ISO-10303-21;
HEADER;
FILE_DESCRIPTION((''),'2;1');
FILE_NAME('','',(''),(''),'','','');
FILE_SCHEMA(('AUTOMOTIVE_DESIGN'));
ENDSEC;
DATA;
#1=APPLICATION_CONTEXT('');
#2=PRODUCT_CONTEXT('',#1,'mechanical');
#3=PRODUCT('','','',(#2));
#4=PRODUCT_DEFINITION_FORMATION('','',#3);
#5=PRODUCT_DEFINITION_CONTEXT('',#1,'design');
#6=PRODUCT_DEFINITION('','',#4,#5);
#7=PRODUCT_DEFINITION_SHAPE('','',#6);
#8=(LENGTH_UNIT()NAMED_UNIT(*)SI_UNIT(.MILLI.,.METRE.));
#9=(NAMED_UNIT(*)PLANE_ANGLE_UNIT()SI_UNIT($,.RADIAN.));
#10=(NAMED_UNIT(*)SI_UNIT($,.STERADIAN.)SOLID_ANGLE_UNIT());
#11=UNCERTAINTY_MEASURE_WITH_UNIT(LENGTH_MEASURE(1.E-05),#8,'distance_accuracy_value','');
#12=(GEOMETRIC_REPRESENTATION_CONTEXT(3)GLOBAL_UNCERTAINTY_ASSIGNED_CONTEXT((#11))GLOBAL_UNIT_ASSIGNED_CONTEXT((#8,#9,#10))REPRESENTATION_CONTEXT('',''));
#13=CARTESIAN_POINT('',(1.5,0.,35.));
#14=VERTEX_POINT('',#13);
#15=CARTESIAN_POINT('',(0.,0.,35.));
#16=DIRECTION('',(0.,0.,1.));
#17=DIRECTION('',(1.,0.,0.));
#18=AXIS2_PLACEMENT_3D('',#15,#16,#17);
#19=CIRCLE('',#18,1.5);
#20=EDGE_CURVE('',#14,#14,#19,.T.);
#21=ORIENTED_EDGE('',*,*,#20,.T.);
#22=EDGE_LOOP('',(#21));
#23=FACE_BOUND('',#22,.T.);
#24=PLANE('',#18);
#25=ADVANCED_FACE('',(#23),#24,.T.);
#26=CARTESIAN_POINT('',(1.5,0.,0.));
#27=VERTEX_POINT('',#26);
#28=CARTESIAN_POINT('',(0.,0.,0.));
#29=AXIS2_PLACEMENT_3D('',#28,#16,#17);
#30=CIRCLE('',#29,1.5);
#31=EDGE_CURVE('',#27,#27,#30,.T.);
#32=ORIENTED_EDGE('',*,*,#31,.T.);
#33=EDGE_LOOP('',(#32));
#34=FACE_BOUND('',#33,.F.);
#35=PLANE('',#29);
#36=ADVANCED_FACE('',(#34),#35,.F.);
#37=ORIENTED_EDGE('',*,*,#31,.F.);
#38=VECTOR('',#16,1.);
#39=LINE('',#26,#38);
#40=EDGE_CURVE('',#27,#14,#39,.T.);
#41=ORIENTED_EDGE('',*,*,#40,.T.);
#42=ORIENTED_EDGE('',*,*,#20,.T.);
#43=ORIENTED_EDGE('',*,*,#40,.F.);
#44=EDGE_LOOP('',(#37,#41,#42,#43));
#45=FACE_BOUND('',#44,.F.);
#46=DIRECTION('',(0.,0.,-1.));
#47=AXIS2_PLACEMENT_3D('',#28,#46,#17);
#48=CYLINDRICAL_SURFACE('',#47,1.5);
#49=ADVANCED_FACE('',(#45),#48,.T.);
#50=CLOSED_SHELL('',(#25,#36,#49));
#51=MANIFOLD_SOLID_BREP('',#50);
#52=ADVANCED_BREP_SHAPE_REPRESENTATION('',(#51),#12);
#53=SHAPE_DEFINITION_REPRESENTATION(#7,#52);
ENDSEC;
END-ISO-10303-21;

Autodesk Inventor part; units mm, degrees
ref_plane "YZ Plane" through (0, 0, 0) normal (1, 0, 0) x (0, 1, 0)
ref_plane "XZ Plane" through (0, 0, 0) normal (0, 1, 0) x (-1, 0, 0)
ref_plane "XY Plane" through (0, 0, 0) normal (0, 0, 1) x (1, 0, 0)
sketch "Sketch3" plane through (0, 0, 0) normal (0, 0, 1) x (1, 0, 0)
  circle A0 centre (0, 0) radius 1.5
  dimension "d12" = 3
extrude "Extrusion3" add sketch "Sketch3" along normal blind 35
thread "Thread4" size "M3x0.5" class "6g" standard "ANSI Metric M Profile" length 15
properties part number "Front connectors"
